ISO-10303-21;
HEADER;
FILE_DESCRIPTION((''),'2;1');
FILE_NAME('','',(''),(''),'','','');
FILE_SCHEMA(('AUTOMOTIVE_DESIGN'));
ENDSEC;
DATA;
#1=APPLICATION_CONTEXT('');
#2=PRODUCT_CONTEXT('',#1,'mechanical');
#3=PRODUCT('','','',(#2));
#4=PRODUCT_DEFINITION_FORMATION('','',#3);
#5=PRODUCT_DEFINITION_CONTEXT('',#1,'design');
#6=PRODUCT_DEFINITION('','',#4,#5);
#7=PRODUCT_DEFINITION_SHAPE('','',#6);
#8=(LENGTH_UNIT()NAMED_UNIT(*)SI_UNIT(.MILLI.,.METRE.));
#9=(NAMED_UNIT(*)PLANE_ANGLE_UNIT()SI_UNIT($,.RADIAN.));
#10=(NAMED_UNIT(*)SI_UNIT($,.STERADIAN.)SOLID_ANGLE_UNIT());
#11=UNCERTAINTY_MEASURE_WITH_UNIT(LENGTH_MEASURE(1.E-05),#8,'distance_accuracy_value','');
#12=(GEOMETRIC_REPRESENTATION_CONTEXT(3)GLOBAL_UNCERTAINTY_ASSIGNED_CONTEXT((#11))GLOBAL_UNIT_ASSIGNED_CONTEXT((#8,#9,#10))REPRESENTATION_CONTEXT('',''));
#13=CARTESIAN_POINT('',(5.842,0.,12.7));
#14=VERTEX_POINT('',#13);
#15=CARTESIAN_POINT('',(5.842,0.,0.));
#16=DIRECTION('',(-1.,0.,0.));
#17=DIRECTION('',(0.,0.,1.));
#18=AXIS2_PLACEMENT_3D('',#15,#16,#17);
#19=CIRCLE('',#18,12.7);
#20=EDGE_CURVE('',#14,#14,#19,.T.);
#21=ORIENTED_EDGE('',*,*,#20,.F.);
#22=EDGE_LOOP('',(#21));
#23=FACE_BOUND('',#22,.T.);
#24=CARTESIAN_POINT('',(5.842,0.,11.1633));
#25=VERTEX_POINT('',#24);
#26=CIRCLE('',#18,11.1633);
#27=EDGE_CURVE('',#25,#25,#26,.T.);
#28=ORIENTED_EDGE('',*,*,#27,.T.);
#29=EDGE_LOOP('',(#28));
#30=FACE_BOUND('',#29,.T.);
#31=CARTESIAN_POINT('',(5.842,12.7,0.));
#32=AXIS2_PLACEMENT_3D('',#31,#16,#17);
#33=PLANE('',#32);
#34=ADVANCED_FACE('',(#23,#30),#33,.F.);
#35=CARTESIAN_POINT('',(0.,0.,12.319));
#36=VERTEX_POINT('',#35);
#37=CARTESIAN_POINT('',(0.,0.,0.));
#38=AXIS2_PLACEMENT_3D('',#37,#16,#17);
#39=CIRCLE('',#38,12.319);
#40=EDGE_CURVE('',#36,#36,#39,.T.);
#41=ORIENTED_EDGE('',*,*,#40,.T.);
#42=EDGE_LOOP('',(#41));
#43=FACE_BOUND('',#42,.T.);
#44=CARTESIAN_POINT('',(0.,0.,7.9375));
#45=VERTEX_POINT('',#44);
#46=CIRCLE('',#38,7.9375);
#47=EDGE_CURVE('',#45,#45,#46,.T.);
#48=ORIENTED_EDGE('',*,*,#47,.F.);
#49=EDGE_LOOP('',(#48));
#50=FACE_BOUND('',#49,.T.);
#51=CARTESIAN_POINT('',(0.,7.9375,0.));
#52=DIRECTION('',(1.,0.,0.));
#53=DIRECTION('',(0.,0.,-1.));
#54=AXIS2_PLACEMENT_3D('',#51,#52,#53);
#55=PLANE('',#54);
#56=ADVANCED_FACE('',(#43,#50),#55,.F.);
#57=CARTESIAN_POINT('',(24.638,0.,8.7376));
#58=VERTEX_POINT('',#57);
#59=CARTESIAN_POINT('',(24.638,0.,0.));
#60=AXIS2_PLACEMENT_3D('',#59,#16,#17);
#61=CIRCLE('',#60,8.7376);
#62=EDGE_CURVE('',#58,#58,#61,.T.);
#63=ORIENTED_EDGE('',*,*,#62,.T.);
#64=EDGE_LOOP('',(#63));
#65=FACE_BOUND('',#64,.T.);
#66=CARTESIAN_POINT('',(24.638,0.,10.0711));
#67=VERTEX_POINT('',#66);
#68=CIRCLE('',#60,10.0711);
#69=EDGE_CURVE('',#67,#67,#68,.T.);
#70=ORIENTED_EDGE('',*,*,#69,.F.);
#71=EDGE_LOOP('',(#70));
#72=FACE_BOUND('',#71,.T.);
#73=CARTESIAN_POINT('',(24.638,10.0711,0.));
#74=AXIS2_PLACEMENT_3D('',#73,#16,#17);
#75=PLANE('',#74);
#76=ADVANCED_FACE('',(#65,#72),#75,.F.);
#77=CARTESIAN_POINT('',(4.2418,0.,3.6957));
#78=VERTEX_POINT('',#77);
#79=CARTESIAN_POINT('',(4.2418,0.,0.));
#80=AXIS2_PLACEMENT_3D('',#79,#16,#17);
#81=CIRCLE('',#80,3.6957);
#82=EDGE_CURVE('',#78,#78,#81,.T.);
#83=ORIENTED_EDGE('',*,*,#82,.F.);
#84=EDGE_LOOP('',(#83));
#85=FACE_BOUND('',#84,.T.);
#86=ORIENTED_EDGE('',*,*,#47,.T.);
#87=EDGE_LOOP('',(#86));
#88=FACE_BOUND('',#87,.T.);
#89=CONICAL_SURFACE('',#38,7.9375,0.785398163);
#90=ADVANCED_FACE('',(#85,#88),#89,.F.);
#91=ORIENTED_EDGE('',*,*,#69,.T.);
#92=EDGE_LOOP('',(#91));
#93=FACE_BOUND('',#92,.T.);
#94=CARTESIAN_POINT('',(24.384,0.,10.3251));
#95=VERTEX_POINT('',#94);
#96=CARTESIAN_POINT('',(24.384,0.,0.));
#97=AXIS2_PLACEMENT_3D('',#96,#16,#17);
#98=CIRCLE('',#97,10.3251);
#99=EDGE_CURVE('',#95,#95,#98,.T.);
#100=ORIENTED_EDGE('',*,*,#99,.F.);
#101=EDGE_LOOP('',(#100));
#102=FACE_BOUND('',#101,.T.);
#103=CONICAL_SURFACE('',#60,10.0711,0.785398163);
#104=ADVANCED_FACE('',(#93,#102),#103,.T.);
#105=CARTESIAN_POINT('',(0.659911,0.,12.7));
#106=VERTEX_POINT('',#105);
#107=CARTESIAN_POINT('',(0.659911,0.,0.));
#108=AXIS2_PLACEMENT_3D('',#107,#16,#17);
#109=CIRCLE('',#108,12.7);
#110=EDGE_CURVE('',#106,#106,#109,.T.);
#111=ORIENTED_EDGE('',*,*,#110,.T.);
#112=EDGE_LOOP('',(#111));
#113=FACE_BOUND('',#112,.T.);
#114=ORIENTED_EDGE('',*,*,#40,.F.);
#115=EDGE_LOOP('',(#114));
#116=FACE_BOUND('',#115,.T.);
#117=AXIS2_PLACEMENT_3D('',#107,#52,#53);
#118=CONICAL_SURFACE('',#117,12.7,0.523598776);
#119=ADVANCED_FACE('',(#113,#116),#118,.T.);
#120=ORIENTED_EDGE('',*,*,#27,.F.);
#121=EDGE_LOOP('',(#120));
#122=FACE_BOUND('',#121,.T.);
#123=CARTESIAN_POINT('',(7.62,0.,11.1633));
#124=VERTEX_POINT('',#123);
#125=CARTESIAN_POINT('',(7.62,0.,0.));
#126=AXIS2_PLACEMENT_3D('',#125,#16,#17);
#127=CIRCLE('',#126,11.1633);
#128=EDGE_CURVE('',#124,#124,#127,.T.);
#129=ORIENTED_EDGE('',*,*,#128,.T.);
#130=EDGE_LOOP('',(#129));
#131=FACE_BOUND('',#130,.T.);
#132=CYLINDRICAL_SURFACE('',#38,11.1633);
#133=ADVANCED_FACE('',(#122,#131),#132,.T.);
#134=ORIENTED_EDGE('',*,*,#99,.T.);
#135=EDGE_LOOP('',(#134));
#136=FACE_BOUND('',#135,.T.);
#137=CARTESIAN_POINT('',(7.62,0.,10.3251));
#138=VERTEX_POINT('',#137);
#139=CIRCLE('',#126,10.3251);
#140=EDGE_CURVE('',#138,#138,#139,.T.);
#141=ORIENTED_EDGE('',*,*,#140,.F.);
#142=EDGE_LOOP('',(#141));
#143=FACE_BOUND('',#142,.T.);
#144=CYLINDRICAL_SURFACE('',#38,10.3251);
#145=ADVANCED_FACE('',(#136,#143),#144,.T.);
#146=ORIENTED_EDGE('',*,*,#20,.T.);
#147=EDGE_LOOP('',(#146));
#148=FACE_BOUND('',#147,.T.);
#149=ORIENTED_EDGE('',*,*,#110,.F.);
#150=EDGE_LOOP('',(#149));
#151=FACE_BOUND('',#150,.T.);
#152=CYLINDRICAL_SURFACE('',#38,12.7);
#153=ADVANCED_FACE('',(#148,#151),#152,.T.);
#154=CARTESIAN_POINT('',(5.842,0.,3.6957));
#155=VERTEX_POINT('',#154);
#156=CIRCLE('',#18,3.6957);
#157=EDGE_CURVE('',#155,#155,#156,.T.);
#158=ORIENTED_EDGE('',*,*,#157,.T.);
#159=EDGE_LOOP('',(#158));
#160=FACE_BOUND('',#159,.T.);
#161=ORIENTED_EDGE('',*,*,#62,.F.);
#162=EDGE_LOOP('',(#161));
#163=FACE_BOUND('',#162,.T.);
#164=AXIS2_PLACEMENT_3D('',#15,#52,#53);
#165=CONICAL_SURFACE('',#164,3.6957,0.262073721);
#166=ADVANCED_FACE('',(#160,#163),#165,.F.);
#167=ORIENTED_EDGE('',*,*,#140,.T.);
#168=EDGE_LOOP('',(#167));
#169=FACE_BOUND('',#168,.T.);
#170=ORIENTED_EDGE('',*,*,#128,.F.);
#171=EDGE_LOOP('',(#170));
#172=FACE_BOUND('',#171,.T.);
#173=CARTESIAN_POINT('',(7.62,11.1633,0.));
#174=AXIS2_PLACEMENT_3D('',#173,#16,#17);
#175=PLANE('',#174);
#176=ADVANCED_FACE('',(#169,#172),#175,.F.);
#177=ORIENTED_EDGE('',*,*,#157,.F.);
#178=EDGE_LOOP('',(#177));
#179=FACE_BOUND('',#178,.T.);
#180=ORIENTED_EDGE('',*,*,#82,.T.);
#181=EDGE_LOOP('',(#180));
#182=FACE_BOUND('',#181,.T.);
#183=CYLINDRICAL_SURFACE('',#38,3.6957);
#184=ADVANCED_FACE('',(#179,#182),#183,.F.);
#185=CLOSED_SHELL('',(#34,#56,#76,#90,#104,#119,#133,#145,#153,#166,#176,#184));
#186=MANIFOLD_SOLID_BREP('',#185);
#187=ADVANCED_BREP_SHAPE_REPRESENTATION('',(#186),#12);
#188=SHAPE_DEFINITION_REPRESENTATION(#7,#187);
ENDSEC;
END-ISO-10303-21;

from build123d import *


with BuildPart() as part:
    # Sketch1 → Revolve1 (revolve)
    with BuildSketch(Plane.XY):
        Polygon((0, 7.9375), (0, 12.319), (0.659911358, 12.7), (5.842, 12.7), (5.842, 11.1633), (7.62, 11.1633), (7.62, 10.3251), (24.384, 10.3251), (24.638, 10.0711), (24.638, 8.7376), (5.842, 3.6957), (4.2418, 3.6957), align=None)
    revolve(axis=Axis((0, 0, 0), (1, 0, 0)))


solid = part.part
